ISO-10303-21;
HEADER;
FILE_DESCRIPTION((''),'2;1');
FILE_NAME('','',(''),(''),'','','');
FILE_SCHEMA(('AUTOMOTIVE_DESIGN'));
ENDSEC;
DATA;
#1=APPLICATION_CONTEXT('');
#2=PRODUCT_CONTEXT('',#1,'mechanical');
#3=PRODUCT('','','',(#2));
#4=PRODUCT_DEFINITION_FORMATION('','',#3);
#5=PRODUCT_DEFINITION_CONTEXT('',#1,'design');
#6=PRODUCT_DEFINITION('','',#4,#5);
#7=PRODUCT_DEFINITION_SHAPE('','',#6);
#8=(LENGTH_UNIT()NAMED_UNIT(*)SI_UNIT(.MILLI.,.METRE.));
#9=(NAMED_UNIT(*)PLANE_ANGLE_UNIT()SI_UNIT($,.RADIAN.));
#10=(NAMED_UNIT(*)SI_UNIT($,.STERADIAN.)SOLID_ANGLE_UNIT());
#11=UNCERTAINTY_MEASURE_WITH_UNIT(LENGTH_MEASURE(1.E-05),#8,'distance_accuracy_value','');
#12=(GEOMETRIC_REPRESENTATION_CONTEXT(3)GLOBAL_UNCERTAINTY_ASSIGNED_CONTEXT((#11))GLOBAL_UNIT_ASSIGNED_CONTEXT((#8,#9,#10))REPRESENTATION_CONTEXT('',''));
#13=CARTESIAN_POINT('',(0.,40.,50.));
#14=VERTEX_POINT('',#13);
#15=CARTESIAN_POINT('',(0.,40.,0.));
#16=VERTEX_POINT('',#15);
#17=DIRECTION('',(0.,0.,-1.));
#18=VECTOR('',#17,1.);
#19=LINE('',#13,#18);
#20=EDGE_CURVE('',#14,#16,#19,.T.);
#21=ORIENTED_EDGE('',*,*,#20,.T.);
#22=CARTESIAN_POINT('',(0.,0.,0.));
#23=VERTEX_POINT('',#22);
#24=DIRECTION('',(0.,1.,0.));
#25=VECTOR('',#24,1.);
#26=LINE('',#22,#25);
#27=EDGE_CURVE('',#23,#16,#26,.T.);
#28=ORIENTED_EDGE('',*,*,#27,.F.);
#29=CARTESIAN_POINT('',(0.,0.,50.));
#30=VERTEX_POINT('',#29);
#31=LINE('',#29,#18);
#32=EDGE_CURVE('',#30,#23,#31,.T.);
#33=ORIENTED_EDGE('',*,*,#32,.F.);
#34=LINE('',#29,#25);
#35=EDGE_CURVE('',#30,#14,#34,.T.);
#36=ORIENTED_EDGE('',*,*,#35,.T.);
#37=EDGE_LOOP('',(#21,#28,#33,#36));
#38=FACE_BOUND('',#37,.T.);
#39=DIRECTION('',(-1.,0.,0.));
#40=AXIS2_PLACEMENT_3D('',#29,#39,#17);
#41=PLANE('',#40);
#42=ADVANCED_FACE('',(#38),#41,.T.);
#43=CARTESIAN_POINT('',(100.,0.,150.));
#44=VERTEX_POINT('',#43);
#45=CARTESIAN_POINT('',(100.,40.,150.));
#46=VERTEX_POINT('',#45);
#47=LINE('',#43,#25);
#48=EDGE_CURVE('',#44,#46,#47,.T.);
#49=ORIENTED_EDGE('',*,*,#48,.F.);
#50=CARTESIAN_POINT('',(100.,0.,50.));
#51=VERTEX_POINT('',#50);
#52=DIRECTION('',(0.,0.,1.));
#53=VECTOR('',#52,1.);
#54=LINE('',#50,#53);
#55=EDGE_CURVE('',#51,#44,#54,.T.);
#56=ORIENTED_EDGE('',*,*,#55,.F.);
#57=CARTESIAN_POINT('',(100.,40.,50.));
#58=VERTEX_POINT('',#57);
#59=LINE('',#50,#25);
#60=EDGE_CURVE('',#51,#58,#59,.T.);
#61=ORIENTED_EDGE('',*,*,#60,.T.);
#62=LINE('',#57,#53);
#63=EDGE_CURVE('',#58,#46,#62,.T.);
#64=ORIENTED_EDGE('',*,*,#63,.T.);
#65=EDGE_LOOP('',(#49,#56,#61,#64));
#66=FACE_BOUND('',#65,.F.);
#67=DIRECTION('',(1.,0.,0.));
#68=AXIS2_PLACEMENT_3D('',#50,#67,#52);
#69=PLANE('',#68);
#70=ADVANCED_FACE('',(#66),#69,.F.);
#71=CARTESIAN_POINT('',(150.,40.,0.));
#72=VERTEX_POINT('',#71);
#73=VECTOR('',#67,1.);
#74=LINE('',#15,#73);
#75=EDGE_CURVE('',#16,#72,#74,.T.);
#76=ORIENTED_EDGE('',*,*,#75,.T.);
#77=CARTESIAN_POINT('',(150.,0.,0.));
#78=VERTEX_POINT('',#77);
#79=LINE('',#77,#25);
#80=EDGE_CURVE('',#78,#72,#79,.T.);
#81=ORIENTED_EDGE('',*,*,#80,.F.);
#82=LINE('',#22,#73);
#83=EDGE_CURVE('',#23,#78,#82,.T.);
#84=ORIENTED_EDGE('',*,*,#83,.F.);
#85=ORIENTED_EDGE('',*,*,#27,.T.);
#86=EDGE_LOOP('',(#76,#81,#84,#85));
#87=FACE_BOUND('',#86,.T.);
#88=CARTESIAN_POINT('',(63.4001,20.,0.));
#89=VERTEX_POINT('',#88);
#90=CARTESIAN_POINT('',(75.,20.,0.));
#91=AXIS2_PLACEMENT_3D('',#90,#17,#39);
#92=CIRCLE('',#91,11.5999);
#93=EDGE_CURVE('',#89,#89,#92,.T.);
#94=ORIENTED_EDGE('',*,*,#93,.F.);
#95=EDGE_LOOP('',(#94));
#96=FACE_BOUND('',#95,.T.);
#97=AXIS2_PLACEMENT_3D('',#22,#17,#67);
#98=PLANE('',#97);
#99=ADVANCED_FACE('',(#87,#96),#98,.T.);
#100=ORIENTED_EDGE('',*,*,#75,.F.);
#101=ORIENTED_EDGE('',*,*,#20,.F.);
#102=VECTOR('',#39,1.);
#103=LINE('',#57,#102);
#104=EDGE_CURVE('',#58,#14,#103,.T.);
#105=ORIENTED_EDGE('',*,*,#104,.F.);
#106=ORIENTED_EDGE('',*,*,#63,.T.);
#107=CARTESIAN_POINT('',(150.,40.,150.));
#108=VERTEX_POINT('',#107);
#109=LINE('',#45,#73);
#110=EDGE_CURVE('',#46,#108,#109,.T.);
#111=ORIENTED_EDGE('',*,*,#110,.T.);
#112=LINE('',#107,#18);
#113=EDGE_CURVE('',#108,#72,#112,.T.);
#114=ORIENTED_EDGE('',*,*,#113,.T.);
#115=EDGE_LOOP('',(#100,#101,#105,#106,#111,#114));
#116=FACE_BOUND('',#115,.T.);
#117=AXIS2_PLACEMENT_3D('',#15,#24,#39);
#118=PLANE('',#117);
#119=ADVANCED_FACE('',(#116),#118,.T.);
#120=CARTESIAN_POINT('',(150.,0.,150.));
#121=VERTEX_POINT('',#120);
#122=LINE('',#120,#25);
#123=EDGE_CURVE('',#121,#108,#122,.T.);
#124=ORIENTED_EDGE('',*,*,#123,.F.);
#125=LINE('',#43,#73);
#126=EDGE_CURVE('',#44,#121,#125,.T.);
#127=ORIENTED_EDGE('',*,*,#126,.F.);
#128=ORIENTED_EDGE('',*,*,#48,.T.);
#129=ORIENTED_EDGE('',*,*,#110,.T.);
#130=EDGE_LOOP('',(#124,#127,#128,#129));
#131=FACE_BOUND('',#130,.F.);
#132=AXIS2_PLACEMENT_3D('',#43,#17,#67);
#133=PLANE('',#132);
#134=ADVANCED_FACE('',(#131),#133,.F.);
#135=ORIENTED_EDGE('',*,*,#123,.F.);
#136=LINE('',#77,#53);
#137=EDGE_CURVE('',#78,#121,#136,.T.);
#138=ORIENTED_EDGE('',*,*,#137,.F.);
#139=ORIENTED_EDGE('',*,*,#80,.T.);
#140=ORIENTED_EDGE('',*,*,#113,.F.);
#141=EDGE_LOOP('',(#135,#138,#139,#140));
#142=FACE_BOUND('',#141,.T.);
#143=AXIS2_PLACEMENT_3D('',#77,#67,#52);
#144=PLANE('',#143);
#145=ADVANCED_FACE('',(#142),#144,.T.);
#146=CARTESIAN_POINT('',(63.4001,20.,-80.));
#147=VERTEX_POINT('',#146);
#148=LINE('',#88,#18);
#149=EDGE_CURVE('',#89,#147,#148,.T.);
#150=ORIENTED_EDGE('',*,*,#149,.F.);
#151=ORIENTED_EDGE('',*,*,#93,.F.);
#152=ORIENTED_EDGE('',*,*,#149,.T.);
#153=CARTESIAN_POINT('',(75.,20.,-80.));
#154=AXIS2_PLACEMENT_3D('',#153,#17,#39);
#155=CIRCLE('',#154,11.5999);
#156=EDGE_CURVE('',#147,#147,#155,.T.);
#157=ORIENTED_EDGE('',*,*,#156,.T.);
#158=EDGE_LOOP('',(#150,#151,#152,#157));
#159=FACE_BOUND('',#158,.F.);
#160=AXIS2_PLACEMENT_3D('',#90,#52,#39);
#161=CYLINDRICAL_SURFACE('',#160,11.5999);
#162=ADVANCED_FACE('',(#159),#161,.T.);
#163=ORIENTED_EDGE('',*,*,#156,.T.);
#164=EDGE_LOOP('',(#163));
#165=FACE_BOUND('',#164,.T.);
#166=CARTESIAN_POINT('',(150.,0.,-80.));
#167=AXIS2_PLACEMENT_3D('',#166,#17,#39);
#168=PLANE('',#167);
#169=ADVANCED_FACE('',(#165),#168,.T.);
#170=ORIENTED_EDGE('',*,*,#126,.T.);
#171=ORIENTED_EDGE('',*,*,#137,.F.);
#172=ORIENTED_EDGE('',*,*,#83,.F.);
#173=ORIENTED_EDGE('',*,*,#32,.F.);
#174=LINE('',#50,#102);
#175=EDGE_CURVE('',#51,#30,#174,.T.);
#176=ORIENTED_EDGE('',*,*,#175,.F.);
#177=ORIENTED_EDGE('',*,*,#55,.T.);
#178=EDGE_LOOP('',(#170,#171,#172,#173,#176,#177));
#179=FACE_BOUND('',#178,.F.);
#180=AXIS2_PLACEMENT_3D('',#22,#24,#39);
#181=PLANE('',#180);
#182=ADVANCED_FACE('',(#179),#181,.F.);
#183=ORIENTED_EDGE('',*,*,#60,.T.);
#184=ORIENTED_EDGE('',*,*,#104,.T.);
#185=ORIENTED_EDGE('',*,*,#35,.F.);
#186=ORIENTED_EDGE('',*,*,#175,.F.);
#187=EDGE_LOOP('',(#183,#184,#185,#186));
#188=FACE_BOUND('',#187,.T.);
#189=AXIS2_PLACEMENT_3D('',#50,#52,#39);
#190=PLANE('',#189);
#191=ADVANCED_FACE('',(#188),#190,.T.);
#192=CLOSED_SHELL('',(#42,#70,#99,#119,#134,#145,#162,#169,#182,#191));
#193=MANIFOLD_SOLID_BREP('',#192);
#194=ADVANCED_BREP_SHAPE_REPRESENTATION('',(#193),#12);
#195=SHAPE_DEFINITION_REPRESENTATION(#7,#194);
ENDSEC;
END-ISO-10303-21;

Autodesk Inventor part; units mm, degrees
ref_plane "YZ Plane" through (0, 0, 0) normal (1, 0, 0) x (0, 1, 0)
ref_plane "XZ Plane" through (0, 0, 0) normal (0, 1, 0) x (-1, 0, 0)
ref_plane "XY Plane" through (0, 0, 0) normal (0, 0, 1) x (1, 0, 0)
sketch "Esquisse1" plane through (0, 0, 0) normal (0, 1, 0) x (-1, 0, 0)
  line L0 (0, 0) -> (-150, 0)
  line L1 (-150, 0) -> (-150, 63.6055)
  line L2 (-100, 50) -> (0, 50)
  line L3 (0, 50) -> (0, 0)
  line L4 (-100, 50) -> (-100, 150)
  line L5 (-100, 150) -> (-150, 150)
  line L6 (-150, 150) -> (-150, 63.6055)
  dimension "d2" = 100
  dimension "d4" = 50
  dimension "d5" = 100
  dimension "d6" = 150
extrude "Extrusion1" add sketch "Esquisse1" along normal blind 40
sketch "Esquisse2" plane through (150, 0, 0) normal (0, 0, -1) x (-1, 0, 0)
  circle A0 centre (75, 20) radius 11.5999
extrude "Extrusion2" add sketch "Esquisse2" along normal blind 80
properties part number "tete_bras"
